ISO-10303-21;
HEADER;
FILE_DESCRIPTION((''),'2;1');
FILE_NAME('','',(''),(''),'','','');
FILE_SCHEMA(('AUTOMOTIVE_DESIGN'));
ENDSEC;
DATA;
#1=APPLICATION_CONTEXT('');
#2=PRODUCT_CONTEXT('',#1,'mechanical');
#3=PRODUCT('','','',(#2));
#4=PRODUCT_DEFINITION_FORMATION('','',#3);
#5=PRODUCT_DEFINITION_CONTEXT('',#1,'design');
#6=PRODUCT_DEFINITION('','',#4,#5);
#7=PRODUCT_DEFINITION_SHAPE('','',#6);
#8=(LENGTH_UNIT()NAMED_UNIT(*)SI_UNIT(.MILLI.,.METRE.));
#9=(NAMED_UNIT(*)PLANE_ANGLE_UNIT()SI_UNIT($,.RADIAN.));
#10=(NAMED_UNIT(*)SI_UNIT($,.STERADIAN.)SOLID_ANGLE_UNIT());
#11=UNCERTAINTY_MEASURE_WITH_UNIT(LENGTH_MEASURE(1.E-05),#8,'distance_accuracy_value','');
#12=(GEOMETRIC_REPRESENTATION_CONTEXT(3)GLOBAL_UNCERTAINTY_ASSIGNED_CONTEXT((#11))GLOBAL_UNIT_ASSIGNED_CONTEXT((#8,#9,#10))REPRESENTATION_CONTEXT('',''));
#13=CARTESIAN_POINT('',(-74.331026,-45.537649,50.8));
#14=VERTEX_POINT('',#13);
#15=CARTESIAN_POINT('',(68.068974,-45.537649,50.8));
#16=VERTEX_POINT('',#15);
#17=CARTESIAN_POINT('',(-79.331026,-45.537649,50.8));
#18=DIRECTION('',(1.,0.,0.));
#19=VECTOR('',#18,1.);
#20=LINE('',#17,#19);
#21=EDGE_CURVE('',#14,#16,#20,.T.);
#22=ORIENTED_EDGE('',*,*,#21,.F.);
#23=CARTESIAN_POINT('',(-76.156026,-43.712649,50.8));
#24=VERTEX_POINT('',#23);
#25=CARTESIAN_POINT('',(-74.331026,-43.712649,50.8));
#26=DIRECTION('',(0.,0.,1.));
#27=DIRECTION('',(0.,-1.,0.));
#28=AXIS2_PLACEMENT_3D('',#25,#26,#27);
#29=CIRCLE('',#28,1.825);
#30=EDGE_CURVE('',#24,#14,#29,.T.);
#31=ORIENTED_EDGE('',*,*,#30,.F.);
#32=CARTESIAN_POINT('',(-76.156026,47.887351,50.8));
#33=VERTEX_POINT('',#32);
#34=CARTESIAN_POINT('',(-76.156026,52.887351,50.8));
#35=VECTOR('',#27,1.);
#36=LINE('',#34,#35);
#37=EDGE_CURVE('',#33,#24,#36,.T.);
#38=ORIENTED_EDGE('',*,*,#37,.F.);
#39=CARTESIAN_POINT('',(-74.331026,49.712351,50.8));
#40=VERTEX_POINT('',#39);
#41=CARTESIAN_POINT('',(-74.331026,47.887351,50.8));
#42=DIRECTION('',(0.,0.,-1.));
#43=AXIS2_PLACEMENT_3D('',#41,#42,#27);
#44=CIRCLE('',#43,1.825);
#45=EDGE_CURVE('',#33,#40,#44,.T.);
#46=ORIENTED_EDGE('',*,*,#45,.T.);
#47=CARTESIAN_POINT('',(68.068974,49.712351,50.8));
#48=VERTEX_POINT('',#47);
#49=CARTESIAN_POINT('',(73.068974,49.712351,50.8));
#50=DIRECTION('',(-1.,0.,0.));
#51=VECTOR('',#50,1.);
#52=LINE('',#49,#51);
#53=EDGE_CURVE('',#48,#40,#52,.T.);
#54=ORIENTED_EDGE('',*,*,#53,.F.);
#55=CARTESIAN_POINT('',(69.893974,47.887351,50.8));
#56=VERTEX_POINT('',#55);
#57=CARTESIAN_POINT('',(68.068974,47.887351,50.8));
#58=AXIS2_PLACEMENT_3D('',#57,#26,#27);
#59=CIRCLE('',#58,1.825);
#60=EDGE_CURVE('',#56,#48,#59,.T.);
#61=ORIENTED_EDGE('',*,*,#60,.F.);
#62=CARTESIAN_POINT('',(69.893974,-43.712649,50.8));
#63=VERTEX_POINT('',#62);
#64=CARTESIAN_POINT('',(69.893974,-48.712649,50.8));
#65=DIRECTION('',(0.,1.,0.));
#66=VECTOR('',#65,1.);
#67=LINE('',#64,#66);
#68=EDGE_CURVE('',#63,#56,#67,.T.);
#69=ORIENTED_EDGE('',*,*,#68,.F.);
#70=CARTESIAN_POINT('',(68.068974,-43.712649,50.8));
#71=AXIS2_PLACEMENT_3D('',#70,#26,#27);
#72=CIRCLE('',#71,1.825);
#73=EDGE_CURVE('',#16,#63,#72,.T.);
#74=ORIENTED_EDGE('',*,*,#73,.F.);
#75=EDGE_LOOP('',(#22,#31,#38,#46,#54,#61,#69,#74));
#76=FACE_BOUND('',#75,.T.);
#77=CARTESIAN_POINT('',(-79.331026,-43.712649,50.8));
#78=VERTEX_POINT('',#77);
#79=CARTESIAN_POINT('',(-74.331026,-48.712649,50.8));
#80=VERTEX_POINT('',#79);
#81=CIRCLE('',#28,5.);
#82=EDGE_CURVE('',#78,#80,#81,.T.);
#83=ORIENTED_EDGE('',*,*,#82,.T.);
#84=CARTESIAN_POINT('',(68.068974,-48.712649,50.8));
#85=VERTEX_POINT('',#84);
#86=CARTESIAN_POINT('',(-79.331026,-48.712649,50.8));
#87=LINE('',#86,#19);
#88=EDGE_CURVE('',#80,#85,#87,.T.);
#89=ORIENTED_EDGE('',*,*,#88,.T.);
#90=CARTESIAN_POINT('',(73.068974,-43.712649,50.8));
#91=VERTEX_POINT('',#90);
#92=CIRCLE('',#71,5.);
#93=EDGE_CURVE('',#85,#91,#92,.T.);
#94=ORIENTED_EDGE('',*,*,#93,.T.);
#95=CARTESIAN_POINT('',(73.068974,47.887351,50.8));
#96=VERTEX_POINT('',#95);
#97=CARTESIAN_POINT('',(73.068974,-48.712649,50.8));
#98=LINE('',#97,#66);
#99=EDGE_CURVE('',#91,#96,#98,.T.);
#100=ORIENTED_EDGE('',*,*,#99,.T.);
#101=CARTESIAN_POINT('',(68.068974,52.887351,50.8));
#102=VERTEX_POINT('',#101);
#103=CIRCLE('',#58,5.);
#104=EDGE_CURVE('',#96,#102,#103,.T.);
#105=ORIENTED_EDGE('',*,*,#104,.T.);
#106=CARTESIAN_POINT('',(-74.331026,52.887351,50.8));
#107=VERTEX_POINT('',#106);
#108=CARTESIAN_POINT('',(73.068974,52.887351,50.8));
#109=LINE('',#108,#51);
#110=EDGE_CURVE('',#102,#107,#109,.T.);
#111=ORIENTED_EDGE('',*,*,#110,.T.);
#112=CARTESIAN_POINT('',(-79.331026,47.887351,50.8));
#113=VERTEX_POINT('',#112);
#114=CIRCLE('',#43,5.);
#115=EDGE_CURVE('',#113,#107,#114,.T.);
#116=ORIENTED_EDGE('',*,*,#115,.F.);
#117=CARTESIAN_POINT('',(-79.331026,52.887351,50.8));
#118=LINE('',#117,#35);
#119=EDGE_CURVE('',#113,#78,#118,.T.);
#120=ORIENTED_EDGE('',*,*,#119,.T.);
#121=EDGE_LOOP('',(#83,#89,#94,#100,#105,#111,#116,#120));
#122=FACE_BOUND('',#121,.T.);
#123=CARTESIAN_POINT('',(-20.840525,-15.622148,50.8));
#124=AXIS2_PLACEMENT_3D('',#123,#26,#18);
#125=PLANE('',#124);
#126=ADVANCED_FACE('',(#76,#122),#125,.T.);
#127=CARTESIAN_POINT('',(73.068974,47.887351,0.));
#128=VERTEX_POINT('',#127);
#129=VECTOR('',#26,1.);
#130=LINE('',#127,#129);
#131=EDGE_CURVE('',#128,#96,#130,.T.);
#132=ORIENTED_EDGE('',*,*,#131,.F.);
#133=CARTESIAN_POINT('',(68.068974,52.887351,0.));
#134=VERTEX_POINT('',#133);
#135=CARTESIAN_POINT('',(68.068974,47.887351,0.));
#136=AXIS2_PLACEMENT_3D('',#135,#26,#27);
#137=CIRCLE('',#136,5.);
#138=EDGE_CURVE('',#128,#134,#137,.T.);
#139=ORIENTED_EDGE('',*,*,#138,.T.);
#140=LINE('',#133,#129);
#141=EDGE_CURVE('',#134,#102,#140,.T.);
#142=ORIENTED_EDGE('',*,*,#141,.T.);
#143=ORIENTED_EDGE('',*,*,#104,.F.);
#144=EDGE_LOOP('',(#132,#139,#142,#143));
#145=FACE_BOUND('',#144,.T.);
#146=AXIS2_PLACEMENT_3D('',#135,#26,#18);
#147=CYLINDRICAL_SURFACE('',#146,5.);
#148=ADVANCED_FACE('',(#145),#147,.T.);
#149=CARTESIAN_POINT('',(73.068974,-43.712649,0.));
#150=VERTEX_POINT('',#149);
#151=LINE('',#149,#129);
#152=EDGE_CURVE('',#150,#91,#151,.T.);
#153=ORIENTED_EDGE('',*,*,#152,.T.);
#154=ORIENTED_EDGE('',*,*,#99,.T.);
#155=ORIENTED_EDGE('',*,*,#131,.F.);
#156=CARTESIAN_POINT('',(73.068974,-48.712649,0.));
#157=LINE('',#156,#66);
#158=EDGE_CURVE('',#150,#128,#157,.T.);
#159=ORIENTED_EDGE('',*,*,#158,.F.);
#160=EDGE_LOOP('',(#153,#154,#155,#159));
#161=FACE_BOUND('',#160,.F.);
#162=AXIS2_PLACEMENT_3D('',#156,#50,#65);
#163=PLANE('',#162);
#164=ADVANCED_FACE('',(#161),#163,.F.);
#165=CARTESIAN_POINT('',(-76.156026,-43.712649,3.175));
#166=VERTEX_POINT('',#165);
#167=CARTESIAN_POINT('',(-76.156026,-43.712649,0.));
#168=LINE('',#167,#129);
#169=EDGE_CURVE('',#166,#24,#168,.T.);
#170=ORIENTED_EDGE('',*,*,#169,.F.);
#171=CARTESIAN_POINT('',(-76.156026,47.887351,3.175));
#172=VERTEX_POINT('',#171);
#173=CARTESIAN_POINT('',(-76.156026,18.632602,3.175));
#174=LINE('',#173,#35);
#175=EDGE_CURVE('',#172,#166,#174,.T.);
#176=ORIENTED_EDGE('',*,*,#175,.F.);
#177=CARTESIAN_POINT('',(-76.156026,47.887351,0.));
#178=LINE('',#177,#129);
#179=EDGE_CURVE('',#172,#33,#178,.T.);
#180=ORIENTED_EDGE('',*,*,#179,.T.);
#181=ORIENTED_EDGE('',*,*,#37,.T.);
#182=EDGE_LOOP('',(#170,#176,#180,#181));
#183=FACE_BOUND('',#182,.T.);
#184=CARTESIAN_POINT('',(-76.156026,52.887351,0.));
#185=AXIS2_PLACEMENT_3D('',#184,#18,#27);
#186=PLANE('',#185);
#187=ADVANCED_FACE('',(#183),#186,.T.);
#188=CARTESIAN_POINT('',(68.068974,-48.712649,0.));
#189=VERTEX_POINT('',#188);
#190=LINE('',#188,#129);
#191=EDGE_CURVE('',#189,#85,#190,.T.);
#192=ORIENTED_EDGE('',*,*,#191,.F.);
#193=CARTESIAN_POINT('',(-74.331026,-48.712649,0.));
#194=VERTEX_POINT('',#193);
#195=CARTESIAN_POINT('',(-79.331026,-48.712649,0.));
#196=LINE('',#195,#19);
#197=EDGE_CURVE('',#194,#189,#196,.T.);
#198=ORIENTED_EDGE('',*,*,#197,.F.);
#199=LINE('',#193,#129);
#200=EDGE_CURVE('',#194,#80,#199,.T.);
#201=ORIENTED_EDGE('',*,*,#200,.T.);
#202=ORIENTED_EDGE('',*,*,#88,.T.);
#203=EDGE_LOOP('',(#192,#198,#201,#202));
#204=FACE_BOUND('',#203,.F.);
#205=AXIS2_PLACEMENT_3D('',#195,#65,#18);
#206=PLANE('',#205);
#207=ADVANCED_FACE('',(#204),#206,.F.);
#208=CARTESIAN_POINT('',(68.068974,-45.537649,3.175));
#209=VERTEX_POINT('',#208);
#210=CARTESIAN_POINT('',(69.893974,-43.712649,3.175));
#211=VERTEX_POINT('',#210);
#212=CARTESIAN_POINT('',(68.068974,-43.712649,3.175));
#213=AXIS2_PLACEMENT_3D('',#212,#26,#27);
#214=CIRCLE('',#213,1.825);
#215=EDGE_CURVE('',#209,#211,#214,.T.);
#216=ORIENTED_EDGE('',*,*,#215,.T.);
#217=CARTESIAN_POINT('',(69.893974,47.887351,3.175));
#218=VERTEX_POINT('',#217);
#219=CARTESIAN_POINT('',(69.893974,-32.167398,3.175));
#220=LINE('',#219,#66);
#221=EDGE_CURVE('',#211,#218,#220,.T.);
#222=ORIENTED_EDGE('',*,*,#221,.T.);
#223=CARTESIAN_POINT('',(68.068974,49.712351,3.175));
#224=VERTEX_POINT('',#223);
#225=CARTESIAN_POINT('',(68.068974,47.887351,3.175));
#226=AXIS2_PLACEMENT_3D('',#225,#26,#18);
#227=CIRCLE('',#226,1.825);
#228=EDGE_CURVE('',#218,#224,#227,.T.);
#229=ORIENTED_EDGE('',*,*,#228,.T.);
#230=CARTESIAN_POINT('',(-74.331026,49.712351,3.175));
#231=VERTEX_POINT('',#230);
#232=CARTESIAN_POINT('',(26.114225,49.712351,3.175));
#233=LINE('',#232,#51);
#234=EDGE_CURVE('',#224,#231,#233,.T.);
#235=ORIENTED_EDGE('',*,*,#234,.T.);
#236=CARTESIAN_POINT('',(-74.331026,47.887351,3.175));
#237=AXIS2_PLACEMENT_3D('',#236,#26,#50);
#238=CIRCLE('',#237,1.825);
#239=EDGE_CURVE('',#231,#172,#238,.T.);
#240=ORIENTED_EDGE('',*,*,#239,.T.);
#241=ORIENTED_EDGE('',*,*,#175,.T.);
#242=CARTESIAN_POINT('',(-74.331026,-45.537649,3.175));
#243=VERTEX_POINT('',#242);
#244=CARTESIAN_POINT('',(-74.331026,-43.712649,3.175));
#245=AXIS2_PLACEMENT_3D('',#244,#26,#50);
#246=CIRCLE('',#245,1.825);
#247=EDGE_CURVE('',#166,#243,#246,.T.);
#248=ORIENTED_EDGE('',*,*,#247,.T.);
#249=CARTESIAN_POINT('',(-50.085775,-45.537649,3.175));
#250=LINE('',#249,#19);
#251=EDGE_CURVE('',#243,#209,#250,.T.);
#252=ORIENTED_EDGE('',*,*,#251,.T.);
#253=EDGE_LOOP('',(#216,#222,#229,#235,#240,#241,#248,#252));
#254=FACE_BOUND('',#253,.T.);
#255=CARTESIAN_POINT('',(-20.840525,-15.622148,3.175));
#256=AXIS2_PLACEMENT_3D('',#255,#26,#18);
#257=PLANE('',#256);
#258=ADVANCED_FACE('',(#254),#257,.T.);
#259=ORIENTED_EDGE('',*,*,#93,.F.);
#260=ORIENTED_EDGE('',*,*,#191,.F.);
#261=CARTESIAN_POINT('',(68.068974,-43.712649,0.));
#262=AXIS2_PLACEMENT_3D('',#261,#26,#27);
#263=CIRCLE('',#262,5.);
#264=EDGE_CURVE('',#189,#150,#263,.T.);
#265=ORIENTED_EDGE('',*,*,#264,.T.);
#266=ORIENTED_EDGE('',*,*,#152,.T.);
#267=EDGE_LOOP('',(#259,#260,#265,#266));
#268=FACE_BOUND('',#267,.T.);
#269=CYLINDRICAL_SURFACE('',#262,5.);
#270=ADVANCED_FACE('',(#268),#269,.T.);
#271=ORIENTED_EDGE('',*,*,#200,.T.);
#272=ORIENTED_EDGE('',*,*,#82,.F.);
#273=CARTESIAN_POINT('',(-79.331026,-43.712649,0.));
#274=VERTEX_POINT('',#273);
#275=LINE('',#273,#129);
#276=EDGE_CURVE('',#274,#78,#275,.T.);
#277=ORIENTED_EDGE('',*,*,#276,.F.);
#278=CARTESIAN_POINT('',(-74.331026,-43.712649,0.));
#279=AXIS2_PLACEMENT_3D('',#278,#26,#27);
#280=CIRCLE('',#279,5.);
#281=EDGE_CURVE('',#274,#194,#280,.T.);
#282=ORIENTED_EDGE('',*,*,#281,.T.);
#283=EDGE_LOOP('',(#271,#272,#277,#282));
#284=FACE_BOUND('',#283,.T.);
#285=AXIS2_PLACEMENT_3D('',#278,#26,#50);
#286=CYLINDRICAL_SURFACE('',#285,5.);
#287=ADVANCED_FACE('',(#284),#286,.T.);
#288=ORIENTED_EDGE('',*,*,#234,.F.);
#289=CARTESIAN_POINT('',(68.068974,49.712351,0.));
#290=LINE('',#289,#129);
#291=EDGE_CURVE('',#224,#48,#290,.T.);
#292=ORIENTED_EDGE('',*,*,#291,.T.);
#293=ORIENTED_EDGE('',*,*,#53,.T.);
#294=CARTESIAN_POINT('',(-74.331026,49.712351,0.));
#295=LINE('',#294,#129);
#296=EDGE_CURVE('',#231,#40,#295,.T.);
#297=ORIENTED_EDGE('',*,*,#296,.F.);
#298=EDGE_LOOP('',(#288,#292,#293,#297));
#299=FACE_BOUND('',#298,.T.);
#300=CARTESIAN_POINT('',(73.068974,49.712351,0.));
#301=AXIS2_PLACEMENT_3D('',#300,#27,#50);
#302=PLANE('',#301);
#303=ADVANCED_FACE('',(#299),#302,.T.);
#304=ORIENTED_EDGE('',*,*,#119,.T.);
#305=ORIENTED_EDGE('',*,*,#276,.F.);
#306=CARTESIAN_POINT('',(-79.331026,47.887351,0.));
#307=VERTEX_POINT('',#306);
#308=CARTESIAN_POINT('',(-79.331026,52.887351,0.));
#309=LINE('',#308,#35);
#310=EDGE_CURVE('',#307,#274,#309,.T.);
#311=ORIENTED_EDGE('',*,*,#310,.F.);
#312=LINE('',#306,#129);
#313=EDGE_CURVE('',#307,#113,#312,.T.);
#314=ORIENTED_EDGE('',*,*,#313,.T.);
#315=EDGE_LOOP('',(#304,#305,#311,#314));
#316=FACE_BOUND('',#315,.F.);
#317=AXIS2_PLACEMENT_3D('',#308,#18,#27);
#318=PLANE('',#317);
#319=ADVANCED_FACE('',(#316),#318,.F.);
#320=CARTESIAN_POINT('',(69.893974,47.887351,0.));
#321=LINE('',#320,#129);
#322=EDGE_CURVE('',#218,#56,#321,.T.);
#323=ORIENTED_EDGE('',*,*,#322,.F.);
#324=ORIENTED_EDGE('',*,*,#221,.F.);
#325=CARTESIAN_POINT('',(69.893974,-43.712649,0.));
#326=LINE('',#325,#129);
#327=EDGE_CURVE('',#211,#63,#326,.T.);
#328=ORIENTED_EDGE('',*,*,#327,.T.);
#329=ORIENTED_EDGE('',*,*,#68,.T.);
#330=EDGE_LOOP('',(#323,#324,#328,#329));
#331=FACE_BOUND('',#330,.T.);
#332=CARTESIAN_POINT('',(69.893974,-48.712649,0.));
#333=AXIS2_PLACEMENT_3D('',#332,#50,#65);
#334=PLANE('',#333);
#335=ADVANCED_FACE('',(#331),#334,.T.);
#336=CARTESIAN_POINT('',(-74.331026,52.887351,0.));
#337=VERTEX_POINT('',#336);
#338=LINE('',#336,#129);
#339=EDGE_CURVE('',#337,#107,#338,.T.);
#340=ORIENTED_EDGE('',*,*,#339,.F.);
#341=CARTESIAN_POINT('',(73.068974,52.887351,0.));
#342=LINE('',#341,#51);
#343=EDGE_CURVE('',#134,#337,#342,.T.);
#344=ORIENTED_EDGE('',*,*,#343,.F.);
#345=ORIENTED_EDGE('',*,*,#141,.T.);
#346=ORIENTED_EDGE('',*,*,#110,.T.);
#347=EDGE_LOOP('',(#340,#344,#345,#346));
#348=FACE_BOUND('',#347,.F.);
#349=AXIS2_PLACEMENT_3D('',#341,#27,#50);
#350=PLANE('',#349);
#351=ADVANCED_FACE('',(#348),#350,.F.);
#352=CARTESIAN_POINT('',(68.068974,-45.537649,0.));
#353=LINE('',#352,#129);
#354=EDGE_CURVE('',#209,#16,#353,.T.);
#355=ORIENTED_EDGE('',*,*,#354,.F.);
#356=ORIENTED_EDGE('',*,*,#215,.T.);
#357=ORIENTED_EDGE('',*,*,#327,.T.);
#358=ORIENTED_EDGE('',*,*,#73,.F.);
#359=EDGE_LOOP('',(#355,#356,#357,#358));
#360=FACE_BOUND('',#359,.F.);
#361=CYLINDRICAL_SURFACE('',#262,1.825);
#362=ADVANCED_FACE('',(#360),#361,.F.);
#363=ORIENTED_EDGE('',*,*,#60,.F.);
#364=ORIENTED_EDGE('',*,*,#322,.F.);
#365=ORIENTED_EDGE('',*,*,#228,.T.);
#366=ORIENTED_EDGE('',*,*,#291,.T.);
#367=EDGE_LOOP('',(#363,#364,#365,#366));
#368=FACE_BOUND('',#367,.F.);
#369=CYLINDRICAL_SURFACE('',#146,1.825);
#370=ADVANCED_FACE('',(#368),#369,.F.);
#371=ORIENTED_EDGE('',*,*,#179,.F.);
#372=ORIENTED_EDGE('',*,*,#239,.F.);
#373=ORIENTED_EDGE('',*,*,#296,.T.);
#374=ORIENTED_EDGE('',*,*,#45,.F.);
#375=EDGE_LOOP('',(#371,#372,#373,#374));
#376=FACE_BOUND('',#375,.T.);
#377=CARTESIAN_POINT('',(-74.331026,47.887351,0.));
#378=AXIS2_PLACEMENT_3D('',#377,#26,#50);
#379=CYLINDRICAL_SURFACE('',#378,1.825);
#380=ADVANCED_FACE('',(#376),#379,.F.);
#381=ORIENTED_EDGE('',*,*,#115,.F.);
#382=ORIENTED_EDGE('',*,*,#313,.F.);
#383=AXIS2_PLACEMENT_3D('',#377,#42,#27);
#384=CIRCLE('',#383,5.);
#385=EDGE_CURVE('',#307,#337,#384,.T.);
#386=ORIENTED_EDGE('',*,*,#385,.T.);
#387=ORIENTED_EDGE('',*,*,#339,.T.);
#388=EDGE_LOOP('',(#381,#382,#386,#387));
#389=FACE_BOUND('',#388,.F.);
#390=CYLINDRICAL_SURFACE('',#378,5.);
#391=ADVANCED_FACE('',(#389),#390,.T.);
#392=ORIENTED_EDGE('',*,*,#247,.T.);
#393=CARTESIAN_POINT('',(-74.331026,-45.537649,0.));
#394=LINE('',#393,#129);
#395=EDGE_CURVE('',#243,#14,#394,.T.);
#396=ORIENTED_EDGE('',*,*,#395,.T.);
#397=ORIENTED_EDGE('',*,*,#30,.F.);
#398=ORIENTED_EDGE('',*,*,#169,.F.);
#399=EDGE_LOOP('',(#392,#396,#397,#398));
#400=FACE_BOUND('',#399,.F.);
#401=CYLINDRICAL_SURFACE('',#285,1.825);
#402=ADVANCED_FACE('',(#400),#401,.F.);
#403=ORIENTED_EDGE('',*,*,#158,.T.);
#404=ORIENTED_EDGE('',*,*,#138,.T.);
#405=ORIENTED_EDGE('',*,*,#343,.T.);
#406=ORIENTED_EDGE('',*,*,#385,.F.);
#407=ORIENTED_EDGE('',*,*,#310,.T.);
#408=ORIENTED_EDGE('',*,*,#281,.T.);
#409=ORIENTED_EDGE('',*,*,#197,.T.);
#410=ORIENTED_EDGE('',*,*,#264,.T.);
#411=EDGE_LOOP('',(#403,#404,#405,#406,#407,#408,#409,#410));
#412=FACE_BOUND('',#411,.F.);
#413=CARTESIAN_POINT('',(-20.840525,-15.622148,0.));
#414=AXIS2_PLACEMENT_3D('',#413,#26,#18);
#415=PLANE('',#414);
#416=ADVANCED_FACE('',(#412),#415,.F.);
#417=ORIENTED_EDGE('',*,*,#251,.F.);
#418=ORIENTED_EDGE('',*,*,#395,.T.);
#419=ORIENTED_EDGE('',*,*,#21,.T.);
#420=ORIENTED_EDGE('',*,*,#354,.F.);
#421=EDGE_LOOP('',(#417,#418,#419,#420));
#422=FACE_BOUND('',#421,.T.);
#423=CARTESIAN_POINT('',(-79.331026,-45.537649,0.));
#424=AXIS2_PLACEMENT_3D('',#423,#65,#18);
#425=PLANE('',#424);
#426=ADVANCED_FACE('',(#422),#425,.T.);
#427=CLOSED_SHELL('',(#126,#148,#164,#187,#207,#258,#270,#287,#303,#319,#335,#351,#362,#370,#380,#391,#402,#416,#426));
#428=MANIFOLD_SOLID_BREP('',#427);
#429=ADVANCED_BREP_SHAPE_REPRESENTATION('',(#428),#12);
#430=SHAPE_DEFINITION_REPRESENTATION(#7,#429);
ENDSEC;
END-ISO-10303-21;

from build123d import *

# Parameters (mm, degrees)
F1_DEPTH = 50.8
F2_R     = 5
F3_T     = -3.175


with BuildPart() as f1:
    # F0 (on Top) → F1 (new body)
    with BuildSketch(Plane.XY):
        Polygon((73.068974, -48.712649), (-79.331026, 52.887351), (-79.331026, -48.712649), align=None)
        Polygon((73.068974, 52.887351), (-79.331026, 52.887351), (73.068974, -48.712649), align=None)
    extrude(amount=F1_DEPTH)

    # F2
    f2_edges = [f1.edges().sort_by_distance(p)[0] for p in [
        (-79.331026, -48.712649, 25.4),
        (73.068974, -48.712649, 25.4),
        (73.068974, 52.887351, 25.4),
        (-79.331026, 52.887351, 25.4),
    ]]
    fillet(f2_edges, radius=F2_R)

    # F3
    f3_openings = [f1.faces().sort_by_distance(p)[0] for p in [
        (-3.131026, 2.087351, 50.8),
    ]]
    offset(amount=F3_T, openings=f3_openings)


solid = f1.part
